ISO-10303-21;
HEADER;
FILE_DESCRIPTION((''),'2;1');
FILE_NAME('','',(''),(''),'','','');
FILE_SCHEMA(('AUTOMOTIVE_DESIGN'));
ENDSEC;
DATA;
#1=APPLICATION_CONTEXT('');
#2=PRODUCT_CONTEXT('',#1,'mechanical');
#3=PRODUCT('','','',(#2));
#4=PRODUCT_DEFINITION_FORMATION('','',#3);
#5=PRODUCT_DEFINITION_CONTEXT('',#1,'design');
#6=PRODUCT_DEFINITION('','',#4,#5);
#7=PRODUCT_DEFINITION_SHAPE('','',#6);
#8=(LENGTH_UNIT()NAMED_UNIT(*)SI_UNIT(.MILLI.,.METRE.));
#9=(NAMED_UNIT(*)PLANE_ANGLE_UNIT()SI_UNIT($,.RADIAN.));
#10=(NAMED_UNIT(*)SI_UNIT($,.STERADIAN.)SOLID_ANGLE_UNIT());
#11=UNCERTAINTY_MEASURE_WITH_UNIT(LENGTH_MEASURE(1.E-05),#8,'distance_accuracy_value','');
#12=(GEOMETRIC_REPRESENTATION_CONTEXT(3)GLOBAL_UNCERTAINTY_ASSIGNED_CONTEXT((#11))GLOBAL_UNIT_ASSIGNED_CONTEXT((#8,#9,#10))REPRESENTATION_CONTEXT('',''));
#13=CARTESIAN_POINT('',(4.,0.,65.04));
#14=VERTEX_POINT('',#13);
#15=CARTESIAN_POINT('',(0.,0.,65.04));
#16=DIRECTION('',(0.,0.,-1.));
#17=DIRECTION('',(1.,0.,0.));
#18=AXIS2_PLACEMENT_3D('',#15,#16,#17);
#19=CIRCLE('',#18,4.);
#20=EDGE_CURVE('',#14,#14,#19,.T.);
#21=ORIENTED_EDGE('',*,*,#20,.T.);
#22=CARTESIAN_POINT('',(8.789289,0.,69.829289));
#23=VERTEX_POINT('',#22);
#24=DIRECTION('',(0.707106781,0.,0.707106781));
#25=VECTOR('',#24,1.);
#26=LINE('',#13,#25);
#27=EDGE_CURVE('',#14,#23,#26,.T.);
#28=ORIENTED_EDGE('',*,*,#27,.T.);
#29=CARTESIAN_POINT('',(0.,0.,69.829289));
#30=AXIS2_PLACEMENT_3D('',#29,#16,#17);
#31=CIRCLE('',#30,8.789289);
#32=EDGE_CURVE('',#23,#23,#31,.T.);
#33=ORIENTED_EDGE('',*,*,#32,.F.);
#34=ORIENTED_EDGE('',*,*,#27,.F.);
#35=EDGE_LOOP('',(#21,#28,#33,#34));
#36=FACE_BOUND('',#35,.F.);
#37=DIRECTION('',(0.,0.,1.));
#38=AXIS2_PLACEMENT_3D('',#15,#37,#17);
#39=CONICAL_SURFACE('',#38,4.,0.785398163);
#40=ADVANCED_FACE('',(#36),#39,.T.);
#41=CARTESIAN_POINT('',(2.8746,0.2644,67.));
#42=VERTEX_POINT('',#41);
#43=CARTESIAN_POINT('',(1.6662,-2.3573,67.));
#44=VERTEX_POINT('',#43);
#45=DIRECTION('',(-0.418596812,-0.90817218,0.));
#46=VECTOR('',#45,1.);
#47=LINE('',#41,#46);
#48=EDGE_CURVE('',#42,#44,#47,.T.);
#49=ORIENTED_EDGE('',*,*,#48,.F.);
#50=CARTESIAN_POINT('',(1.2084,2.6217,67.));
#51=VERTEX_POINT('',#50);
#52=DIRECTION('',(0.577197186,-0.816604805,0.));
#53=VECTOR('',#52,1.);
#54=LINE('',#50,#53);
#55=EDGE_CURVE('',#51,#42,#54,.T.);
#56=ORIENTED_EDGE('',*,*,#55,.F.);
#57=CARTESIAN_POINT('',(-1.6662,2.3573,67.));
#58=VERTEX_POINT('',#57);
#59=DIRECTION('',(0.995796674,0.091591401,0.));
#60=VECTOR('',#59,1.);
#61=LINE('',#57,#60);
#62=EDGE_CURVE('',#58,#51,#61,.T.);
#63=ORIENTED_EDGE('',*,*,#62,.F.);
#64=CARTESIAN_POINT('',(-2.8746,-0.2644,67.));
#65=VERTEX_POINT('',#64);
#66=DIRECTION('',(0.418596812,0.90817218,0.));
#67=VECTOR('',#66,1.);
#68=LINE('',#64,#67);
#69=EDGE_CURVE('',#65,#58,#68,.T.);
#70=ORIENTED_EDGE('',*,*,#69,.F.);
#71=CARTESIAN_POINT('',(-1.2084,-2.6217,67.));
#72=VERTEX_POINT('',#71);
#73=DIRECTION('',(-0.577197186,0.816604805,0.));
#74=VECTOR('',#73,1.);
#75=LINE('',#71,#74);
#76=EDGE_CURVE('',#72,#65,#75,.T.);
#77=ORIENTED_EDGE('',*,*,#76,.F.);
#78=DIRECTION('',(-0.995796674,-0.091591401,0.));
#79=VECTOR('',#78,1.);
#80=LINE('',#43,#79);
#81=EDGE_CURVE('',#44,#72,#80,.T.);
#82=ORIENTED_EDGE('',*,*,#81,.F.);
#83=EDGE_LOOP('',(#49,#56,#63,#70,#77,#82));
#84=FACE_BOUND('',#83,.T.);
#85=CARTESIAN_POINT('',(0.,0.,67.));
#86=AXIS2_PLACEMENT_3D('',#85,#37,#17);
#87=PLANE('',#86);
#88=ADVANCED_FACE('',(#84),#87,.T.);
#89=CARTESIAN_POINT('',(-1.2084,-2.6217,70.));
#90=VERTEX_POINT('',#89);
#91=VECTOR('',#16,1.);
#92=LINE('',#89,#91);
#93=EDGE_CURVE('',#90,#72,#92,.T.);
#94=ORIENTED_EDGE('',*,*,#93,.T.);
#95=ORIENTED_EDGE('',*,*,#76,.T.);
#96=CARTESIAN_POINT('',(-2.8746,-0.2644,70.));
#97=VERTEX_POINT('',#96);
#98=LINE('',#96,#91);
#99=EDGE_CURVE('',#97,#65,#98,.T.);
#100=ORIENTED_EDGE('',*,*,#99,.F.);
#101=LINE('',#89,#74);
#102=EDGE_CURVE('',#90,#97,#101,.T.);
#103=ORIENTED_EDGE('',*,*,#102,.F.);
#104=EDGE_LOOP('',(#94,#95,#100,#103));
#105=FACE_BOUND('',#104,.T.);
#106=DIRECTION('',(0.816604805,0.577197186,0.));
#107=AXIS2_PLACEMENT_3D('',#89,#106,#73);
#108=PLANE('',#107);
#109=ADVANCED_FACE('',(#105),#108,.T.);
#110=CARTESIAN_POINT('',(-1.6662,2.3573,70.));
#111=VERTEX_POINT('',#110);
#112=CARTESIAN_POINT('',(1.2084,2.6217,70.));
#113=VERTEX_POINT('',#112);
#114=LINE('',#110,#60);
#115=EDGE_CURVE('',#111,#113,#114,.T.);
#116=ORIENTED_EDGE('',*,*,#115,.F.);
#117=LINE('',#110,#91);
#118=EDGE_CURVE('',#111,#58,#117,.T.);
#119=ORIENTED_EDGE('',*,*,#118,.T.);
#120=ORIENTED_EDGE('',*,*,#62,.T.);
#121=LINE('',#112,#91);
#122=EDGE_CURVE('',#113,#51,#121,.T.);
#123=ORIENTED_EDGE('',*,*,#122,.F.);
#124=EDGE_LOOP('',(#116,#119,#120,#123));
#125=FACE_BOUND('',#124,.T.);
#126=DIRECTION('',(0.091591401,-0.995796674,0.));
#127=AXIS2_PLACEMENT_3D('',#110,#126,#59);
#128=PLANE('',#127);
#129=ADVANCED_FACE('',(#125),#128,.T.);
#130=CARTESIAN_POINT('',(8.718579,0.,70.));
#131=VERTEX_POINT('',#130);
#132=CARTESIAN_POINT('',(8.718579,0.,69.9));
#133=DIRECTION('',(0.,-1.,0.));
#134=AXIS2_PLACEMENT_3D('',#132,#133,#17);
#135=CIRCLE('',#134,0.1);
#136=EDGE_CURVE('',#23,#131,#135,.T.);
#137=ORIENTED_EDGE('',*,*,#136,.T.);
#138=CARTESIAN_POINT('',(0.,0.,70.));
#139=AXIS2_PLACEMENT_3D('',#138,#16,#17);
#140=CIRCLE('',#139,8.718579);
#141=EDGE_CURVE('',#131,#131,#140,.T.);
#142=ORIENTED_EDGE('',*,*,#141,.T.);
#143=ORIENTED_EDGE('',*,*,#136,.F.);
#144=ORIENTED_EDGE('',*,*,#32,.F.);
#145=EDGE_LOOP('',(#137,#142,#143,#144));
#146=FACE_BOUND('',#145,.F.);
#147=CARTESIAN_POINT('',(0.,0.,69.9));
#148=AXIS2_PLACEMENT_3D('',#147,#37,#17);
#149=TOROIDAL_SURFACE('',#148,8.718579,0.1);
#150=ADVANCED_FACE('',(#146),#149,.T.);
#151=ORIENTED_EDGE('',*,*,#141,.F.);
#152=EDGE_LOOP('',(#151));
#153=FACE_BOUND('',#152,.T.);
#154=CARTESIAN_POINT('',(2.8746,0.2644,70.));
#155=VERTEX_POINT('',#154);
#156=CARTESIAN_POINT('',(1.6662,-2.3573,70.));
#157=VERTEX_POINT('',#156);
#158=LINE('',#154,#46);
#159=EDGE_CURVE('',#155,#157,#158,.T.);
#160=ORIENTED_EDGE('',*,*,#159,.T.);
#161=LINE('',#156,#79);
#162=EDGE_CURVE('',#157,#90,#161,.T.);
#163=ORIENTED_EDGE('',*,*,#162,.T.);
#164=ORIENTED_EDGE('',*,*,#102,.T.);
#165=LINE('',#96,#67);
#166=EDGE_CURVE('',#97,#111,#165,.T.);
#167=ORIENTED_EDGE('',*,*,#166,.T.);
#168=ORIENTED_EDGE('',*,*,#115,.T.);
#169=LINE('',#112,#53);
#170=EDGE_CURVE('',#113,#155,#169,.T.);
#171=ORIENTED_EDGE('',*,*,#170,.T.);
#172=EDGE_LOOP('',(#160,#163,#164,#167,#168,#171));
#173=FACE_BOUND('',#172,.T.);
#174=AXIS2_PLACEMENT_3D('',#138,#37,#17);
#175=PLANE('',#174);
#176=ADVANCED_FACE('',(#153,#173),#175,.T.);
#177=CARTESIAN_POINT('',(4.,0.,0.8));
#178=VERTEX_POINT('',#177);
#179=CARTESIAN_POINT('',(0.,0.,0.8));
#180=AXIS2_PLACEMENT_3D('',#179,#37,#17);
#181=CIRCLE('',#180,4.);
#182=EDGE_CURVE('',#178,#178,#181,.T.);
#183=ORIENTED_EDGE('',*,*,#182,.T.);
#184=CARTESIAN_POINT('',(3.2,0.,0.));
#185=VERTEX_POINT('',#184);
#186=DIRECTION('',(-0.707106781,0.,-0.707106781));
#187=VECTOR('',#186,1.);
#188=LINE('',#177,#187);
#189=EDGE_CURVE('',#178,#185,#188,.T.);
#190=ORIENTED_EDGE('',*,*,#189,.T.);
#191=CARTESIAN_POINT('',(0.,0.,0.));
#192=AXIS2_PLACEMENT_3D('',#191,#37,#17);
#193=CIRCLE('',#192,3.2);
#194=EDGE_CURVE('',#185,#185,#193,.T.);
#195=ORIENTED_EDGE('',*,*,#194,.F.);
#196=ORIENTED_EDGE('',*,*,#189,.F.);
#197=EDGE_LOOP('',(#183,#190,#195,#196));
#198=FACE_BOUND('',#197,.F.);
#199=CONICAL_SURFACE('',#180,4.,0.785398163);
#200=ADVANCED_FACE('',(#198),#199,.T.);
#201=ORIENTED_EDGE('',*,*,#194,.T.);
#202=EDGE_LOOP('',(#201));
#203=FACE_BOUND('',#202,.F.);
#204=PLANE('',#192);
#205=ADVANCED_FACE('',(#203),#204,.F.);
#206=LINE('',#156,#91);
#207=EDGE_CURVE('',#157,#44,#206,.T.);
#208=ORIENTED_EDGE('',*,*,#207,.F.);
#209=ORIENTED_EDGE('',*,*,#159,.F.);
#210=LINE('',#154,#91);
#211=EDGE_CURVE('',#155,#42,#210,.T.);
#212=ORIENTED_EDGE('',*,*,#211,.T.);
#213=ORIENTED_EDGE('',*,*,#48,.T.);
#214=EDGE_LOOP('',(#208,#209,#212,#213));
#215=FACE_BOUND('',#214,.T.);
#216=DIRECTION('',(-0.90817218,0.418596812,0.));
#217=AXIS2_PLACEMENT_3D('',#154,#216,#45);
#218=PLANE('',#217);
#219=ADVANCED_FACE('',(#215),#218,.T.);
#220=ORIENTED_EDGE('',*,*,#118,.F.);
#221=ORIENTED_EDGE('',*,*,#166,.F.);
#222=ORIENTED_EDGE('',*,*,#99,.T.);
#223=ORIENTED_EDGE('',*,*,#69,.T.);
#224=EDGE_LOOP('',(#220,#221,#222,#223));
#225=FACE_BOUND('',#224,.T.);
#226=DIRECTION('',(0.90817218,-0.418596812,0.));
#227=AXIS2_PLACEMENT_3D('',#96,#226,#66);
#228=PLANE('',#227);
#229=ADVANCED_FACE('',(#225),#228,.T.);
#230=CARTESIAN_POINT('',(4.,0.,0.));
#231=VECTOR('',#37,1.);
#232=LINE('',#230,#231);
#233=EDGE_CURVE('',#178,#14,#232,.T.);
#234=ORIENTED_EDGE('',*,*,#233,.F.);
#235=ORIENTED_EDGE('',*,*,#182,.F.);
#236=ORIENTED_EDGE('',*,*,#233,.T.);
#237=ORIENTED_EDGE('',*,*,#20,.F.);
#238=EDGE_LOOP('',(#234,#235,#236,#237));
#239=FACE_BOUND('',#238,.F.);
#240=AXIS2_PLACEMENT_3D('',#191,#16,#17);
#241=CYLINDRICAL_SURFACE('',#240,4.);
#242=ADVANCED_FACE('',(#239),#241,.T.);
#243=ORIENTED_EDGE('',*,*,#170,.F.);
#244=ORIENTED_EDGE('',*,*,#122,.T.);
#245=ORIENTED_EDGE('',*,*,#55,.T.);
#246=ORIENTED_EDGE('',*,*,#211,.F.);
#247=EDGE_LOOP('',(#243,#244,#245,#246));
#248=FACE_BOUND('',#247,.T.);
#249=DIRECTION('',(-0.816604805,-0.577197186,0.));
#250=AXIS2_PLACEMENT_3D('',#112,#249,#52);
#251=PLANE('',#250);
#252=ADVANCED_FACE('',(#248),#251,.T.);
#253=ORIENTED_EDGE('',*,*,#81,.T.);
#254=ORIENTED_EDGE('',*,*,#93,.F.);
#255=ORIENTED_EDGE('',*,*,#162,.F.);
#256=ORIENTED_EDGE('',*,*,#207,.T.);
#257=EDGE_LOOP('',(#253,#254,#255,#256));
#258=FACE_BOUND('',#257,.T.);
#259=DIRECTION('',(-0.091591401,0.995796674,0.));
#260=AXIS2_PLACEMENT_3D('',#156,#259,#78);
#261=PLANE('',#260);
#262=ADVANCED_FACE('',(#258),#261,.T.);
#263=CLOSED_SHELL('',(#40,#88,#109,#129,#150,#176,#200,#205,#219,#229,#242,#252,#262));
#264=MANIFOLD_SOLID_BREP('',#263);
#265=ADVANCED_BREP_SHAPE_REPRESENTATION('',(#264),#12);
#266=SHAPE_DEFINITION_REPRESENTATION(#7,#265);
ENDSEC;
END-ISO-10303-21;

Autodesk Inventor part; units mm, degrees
ref_plane "YZ Plane" through (0, 0, 0) normal (1, 0, 0) x (0, 1, 0)
ref_plane "XZ Plane" through (0, 0, 0) normal (0, 1, 0) x (-1, 0, 0)
ref_plane "XY Plane" through (0, 0, 0) normal (0, 0, 1) x (1, 0, 0)
sketch "Sketch1" plane through (0, 0, 0) normal (0, 0, 1) x (1, 0, 0)
  circle A0 centre (0, 0) radius 4
  dimension "Diameter" = 8
extrude "Extrusion1" add sketch "Sketch1" along normal blind 65.04
sketch "Sketch2" plane through (0, 0, 65.04) normal (0, 0, 1) x (1, 0, 0)
  circle A0 centre (0, 0) radius 4 projected
extrude "Extrusion2" add sketch "Sketch2" along normal blind 4.96 draft 45
sketch "Sketch3" plane through (0, 0, 70) normal (0, 0, 1) x (1, 0, 0)
  circle A0 centre (0, 0) radius 8.96 projected
  circle A1 centre (0, 0) radius 2.8868 construction
  line L0 (1.2084, 2.6217) -> (2.8746, 0.2644)
  line L1 (2.8746, 0.2644) -> (1.6662, -2.3573)
  line L2 (1.6662, -2.3573) -> (-1.2084, -2.6217)
  line L3 (-1.2084, -2.6217) -> (-2.8746, -0.2644)
  line L4 (-2.8746, -0.2644) -> (-1.6662, 2.3573)
  line L5 (-1.6662, 2.3573) -> (1.2084, 2.6217)
  dimension "Hex_Width" = 5
extrude "Extrusion3" cut sketch "Sketch3" against normal blind 3 contours L0 L1 L2 L3 L4 L5
thread "Thread1" size "M8x1.25" class "4g6g" standard "ANSI Metric M Profile" length 45
chamfer "Chamfer2" distance 0.8 angle 45 1 edges at (-4, 0, 0)
fillet "Fillet1" radius 0.1 1 edges at (-8.96, 0, 70)
equation "\"d10\" = Thread_Length"
equation "\"d13\" = Chamfer"
equation "\"Thread_Length\" = 45"
equation "\"Chamfer\" = 0.8"
properties part number "SCREW,FLAT HD,P,5,M8X1"
